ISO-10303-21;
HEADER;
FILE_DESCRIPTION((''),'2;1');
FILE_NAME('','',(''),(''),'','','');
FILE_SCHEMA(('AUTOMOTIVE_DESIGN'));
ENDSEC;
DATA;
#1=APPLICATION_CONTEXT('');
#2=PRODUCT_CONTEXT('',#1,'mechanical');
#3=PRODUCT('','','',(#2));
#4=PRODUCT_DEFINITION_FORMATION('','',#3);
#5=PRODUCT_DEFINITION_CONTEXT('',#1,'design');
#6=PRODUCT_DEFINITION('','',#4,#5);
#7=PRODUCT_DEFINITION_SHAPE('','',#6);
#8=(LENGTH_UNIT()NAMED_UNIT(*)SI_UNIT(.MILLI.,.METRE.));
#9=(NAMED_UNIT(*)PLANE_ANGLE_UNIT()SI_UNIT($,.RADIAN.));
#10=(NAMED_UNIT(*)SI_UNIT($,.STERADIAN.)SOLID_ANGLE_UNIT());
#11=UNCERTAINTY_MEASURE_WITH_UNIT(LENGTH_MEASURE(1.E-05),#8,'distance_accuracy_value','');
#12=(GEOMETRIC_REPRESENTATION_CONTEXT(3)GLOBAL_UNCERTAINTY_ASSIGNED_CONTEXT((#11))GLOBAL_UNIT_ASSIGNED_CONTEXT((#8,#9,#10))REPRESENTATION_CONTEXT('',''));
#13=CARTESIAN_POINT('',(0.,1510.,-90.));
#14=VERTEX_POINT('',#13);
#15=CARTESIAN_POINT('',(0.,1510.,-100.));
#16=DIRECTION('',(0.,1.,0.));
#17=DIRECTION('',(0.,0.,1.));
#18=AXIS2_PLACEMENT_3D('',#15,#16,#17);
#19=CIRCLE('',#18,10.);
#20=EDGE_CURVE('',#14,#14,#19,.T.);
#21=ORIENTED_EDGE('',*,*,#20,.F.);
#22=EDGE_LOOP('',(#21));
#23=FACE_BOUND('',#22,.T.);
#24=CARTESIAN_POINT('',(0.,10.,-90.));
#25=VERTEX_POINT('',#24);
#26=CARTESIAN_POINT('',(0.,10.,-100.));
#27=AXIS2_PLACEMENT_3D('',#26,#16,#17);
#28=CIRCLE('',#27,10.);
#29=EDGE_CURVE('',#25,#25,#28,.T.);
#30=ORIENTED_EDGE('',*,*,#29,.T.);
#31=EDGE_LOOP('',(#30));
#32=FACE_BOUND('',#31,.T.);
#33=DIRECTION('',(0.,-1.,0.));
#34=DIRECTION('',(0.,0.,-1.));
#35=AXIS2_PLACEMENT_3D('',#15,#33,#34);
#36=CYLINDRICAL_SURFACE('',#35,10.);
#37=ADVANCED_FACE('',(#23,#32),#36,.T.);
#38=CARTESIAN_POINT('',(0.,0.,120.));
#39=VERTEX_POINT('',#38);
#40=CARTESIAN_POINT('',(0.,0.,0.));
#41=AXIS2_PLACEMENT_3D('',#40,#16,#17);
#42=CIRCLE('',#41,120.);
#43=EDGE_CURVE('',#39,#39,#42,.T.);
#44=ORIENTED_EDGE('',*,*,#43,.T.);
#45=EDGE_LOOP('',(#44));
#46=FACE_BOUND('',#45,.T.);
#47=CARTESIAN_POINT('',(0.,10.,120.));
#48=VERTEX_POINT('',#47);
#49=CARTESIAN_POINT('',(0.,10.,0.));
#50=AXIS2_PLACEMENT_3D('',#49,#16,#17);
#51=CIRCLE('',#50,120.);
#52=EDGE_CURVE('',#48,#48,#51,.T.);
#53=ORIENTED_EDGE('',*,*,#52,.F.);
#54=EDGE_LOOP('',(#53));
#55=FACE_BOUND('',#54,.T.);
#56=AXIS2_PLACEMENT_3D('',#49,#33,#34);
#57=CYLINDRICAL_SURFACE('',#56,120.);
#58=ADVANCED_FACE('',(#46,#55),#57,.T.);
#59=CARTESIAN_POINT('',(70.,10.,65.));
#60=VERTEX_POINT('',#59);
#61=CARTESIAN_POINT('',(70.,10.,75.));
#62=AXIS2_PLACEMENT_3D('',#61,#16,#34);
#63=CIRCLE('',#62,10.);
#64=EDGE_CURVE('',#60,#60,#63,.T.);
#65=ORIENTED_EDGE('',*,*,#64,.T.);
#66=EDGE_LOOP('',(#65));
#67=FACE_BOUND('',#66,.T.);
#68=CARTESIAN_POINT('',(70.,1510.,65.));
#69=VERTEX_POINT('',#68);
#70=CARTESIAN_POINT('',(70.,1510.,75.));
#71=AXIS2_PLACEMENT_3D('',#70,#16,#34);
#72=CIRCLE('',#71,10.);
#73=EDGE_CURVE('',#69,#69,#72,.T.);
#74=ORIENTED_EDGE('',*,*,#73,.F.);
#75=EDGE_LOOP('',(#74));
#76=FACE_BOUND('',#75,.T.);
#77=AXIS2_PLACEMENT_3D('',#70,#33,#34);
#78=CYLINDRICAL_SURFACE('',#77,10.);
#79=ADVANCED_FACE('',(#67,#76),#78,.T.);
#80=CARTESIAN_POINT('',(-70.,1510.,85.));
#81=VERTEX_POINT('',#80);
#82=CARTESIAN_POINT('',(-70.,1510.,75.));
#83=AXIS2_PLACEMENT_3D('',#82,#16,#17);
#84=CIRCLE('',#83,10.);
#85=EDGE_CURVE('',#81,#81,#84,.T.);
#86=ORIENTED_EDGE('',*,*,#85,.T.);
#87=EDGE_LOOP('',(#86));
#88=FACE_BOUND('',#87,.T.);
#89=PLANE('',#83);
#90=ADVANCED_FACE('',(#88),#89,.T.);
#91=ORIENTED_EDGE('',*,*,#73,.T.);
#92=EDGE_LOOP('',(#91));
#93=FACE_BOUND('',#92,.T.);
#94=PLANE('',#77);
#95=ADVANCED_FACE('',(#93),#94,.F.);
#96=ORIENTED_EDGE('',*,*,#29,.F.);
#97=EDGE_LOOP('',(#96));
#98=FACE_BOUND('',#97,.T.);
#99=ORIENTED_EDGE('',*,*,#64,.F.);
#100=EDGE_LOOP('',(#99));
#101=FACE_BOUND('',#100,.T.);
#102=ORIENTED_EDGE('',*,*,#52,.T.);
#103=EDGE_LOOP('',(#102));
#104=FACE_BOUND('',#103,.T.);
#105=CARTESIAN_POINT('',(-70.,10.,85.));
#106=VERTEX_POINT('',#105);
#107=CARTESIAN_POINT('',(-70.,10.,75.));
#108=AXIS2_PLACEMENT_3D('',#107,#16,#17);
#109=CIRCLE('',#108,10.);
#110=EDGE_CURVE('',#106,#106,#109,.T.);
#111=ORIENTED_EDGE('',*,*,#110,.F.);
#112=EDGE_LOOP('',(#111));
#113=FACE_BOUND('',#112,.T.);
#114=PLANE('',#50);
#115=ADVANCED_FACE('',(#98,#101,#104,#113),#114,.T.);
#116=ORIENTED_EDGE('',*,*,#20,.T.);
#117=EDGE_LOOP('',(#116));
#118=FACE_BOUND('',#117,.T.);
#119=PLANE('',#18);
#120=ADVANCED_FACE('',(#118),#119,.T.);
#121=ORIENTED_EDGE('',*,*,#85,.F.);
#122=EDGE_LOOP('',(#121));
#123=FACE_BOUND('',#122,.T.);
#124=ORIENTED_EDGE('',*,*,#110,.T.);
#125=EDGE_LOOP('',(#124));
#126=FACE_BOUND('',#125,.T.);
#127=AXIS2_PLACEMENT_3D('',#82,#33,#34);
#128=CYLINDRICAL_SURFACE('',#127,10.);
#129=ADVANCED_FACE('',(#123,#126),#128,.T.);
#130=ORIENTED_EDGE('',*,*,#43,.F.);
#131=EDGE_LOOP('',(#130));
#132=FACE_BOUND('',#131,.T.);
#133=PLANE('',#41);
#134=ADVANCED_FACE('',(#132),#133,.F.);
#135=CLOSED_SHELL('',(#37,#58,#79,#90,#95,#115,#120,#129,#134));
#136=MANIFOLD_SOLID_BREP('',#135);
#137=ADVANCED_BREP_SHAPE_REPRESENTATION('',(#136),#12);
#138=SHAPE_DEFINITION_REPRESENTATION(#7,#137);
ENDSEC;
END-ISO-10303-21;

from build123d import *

# Parameters (mm, degrees)
SKETCH1_R           = 120
BOSS_EXTRUDE1_DEPTH = 10
SKETCH2_R           = 10
BOSS_EXTRUDE2_DEPTH = 1500


with BuildPart() as part:
    # Sketch1 → Boss-Extrude1 (new body)
    with BuildSketch(Plane(origin=(0, 0, 0), x_dir=(1, 0, 0), z_dir=(0, 1, 0))):
        with Locations(Location((0, 0, 0), (0, 0, 270))):
            Circle(SKETCH1_R)
    extrude(amount=BOSS_EXTRUDE1_DEPTH)

    # Sketch2 → Boss-Extrude2 (add)
    with BuildSketch(Plane(origin=(0, 10, 0), x_dir=(1, 0, 0), z_dir=(0, 1, 0))):
        with Locations(Location((0, 100, 0), (0, 0, 270))):
            Circle(SKETCH2_R)
        with Locations(Location((-70, -75, 0), (0, 0, 270))):
            Circle(SKETCH2_R)
        with Locations(Location((70, -75, 0), (0, 0, 90))):
            Circle(SKETCH2_R)
    extrude(amount=BOSS_EXTRUDE2_DEPTH)


solid = part.part
